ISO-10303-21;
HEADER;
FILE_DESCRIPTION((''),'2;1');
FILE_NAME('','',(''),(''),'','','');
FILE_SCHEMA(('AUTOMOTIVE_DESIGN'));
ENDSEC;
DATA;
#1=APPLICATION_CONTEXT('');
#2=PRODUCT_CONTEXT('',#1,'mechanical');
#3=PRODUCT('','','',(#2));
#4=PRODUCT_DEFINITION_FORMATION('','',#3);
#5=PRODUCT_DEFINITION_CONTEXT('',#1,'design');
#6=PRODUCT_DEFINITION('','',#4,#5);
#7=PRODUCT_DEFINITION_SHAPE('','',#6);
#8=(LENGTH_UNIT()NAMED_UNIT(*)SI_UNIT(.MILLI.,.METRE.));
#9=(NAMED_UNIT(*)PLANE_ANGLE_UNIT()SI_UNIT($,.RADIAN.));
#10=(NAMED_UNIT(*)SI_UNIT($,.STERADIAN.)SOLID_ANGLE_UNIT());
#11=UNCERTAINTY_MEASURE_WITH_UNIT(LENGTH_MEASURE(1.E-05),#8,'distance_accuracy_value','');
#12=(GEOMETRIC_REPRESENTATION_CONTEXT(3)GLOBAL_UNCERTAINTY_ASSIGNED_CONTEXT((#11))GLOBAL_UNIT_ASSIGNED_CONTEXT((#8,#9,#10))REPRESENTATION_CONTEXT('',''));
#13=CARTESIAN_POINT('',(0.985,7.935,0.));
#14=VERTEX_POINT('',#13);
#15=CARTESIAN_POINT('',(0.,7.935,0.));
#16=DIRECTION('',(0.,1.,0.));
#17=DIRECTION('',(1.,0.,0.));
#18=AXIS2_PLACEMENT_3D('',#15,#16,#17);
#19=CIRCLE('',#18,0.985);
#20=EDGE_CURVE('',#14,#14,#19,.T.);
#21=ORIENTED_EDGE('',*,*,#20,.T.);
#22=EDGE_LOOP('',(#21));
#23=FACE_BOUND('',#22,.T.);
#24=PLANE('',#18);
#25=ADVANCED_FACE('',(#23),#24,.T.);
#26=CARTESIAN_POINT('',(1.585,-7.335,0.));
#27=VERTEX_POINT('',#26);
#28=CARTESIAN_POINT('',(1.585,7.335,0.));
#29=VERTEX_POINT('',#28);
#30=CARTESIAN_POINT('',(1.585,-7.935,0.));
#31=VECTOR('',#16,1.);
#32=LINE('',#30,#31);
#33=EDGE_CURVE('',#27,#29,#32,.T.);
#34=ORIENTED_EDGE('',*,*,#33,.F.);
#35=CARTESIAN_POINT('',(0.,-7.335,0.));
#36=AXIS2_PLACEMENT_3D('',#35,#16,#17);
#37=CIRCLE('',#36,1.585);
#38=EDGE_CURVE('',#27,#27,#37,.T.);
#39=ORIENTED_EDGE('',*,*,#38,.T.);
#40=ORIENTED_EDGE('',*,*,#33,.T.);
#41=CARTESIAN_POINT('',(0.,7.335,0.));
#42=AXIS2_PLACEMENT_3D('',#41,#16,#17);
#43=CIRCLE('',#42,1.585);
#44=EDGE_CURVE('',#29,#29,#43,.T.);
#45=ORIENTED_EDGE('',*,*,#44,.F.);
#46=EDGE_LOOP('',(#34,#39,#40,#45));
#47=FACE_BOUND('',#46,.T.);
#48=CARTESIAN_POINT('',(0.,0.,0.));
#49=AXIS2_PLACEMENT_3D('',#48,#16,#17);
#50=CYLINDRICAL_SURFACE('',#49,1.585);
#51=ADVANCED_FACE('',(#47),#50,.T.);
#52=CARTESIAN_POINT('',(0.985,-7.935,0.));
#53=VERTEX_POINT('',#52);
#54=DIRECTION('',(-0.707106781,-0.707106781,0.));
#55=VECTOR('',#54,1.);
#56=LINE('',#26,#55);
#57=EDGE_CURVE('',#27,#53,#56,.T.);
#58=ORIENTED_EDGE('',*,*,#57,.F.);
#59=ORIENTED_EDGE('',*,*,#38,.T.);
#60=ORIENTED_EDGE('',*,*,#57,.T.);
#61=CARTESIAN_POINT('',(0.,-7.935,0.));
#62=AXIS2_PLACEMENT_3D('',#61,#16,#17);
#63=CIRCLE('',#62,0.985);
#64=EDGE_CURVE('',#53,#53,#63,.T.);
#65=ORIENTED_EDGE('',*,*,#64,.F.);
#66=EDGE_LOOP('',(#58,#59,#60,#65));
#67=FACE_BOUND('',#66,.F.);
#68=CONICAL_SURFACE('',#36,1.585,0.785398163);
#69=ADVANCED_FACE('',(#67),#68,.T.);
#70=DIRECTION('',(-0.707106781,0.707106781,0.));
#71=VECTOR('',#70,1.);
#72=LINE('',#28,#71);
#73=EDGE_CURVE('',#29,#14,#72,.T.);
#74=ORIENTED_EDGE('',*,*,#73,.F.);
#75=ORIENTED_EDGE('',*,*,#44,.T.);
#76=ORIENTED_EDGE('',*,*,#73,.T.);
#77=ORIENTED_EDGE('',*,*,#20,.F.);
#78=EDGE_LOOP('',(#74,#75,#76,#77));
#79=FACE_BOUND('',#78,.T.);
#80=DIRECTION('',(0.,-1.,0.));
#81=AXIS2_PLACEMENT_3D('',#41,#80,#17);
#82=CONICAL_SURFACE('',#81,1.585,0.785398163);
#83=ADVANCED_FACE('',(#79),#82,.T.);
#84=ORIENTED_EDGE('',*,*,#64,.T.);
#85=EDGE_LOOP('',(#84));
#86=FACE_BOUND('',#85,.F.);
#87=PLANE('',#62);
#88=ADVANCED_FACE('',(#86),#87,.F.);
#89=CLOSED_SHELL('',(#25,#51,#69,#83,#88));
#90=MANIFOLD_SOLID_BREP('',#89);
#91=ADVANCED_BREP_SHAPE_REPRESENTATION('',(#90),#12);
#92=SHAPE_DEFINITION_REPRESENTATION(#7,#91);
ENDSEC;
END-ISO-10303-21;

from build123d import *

# Parameters (mm, degrees)
CROQUIS1_R              = 1.585
SALIENTE_EXTRUIR1_DEPTH = 7.935
CHAFL_N1_SIZE           = 0.6


with BuildPart() as part:
    # Croquis1 → Saliente-Extruir1 (new body, symmetric)
    with BuildSketch(Plane(origin=(0, 0, 0), x_dir=(1, 0, 0), z_dir=(0, 1, 0))):
        Circle(CROQUIS1_R)
    extrude(amount=SALIENTE_EXTRUIR1_DEPTH, both=True)

    # Chaflán1
    chafl_n1_edges = [part.edges().sort_by_distance(p)[0] for p in [
        (-1.585, -7.935, 0),
        (-1.585, 7.935, 0),
    ]]
    chamfer(chafl_n1_edges, length=CHAFL_N1_SIZE)


solid = part.part
